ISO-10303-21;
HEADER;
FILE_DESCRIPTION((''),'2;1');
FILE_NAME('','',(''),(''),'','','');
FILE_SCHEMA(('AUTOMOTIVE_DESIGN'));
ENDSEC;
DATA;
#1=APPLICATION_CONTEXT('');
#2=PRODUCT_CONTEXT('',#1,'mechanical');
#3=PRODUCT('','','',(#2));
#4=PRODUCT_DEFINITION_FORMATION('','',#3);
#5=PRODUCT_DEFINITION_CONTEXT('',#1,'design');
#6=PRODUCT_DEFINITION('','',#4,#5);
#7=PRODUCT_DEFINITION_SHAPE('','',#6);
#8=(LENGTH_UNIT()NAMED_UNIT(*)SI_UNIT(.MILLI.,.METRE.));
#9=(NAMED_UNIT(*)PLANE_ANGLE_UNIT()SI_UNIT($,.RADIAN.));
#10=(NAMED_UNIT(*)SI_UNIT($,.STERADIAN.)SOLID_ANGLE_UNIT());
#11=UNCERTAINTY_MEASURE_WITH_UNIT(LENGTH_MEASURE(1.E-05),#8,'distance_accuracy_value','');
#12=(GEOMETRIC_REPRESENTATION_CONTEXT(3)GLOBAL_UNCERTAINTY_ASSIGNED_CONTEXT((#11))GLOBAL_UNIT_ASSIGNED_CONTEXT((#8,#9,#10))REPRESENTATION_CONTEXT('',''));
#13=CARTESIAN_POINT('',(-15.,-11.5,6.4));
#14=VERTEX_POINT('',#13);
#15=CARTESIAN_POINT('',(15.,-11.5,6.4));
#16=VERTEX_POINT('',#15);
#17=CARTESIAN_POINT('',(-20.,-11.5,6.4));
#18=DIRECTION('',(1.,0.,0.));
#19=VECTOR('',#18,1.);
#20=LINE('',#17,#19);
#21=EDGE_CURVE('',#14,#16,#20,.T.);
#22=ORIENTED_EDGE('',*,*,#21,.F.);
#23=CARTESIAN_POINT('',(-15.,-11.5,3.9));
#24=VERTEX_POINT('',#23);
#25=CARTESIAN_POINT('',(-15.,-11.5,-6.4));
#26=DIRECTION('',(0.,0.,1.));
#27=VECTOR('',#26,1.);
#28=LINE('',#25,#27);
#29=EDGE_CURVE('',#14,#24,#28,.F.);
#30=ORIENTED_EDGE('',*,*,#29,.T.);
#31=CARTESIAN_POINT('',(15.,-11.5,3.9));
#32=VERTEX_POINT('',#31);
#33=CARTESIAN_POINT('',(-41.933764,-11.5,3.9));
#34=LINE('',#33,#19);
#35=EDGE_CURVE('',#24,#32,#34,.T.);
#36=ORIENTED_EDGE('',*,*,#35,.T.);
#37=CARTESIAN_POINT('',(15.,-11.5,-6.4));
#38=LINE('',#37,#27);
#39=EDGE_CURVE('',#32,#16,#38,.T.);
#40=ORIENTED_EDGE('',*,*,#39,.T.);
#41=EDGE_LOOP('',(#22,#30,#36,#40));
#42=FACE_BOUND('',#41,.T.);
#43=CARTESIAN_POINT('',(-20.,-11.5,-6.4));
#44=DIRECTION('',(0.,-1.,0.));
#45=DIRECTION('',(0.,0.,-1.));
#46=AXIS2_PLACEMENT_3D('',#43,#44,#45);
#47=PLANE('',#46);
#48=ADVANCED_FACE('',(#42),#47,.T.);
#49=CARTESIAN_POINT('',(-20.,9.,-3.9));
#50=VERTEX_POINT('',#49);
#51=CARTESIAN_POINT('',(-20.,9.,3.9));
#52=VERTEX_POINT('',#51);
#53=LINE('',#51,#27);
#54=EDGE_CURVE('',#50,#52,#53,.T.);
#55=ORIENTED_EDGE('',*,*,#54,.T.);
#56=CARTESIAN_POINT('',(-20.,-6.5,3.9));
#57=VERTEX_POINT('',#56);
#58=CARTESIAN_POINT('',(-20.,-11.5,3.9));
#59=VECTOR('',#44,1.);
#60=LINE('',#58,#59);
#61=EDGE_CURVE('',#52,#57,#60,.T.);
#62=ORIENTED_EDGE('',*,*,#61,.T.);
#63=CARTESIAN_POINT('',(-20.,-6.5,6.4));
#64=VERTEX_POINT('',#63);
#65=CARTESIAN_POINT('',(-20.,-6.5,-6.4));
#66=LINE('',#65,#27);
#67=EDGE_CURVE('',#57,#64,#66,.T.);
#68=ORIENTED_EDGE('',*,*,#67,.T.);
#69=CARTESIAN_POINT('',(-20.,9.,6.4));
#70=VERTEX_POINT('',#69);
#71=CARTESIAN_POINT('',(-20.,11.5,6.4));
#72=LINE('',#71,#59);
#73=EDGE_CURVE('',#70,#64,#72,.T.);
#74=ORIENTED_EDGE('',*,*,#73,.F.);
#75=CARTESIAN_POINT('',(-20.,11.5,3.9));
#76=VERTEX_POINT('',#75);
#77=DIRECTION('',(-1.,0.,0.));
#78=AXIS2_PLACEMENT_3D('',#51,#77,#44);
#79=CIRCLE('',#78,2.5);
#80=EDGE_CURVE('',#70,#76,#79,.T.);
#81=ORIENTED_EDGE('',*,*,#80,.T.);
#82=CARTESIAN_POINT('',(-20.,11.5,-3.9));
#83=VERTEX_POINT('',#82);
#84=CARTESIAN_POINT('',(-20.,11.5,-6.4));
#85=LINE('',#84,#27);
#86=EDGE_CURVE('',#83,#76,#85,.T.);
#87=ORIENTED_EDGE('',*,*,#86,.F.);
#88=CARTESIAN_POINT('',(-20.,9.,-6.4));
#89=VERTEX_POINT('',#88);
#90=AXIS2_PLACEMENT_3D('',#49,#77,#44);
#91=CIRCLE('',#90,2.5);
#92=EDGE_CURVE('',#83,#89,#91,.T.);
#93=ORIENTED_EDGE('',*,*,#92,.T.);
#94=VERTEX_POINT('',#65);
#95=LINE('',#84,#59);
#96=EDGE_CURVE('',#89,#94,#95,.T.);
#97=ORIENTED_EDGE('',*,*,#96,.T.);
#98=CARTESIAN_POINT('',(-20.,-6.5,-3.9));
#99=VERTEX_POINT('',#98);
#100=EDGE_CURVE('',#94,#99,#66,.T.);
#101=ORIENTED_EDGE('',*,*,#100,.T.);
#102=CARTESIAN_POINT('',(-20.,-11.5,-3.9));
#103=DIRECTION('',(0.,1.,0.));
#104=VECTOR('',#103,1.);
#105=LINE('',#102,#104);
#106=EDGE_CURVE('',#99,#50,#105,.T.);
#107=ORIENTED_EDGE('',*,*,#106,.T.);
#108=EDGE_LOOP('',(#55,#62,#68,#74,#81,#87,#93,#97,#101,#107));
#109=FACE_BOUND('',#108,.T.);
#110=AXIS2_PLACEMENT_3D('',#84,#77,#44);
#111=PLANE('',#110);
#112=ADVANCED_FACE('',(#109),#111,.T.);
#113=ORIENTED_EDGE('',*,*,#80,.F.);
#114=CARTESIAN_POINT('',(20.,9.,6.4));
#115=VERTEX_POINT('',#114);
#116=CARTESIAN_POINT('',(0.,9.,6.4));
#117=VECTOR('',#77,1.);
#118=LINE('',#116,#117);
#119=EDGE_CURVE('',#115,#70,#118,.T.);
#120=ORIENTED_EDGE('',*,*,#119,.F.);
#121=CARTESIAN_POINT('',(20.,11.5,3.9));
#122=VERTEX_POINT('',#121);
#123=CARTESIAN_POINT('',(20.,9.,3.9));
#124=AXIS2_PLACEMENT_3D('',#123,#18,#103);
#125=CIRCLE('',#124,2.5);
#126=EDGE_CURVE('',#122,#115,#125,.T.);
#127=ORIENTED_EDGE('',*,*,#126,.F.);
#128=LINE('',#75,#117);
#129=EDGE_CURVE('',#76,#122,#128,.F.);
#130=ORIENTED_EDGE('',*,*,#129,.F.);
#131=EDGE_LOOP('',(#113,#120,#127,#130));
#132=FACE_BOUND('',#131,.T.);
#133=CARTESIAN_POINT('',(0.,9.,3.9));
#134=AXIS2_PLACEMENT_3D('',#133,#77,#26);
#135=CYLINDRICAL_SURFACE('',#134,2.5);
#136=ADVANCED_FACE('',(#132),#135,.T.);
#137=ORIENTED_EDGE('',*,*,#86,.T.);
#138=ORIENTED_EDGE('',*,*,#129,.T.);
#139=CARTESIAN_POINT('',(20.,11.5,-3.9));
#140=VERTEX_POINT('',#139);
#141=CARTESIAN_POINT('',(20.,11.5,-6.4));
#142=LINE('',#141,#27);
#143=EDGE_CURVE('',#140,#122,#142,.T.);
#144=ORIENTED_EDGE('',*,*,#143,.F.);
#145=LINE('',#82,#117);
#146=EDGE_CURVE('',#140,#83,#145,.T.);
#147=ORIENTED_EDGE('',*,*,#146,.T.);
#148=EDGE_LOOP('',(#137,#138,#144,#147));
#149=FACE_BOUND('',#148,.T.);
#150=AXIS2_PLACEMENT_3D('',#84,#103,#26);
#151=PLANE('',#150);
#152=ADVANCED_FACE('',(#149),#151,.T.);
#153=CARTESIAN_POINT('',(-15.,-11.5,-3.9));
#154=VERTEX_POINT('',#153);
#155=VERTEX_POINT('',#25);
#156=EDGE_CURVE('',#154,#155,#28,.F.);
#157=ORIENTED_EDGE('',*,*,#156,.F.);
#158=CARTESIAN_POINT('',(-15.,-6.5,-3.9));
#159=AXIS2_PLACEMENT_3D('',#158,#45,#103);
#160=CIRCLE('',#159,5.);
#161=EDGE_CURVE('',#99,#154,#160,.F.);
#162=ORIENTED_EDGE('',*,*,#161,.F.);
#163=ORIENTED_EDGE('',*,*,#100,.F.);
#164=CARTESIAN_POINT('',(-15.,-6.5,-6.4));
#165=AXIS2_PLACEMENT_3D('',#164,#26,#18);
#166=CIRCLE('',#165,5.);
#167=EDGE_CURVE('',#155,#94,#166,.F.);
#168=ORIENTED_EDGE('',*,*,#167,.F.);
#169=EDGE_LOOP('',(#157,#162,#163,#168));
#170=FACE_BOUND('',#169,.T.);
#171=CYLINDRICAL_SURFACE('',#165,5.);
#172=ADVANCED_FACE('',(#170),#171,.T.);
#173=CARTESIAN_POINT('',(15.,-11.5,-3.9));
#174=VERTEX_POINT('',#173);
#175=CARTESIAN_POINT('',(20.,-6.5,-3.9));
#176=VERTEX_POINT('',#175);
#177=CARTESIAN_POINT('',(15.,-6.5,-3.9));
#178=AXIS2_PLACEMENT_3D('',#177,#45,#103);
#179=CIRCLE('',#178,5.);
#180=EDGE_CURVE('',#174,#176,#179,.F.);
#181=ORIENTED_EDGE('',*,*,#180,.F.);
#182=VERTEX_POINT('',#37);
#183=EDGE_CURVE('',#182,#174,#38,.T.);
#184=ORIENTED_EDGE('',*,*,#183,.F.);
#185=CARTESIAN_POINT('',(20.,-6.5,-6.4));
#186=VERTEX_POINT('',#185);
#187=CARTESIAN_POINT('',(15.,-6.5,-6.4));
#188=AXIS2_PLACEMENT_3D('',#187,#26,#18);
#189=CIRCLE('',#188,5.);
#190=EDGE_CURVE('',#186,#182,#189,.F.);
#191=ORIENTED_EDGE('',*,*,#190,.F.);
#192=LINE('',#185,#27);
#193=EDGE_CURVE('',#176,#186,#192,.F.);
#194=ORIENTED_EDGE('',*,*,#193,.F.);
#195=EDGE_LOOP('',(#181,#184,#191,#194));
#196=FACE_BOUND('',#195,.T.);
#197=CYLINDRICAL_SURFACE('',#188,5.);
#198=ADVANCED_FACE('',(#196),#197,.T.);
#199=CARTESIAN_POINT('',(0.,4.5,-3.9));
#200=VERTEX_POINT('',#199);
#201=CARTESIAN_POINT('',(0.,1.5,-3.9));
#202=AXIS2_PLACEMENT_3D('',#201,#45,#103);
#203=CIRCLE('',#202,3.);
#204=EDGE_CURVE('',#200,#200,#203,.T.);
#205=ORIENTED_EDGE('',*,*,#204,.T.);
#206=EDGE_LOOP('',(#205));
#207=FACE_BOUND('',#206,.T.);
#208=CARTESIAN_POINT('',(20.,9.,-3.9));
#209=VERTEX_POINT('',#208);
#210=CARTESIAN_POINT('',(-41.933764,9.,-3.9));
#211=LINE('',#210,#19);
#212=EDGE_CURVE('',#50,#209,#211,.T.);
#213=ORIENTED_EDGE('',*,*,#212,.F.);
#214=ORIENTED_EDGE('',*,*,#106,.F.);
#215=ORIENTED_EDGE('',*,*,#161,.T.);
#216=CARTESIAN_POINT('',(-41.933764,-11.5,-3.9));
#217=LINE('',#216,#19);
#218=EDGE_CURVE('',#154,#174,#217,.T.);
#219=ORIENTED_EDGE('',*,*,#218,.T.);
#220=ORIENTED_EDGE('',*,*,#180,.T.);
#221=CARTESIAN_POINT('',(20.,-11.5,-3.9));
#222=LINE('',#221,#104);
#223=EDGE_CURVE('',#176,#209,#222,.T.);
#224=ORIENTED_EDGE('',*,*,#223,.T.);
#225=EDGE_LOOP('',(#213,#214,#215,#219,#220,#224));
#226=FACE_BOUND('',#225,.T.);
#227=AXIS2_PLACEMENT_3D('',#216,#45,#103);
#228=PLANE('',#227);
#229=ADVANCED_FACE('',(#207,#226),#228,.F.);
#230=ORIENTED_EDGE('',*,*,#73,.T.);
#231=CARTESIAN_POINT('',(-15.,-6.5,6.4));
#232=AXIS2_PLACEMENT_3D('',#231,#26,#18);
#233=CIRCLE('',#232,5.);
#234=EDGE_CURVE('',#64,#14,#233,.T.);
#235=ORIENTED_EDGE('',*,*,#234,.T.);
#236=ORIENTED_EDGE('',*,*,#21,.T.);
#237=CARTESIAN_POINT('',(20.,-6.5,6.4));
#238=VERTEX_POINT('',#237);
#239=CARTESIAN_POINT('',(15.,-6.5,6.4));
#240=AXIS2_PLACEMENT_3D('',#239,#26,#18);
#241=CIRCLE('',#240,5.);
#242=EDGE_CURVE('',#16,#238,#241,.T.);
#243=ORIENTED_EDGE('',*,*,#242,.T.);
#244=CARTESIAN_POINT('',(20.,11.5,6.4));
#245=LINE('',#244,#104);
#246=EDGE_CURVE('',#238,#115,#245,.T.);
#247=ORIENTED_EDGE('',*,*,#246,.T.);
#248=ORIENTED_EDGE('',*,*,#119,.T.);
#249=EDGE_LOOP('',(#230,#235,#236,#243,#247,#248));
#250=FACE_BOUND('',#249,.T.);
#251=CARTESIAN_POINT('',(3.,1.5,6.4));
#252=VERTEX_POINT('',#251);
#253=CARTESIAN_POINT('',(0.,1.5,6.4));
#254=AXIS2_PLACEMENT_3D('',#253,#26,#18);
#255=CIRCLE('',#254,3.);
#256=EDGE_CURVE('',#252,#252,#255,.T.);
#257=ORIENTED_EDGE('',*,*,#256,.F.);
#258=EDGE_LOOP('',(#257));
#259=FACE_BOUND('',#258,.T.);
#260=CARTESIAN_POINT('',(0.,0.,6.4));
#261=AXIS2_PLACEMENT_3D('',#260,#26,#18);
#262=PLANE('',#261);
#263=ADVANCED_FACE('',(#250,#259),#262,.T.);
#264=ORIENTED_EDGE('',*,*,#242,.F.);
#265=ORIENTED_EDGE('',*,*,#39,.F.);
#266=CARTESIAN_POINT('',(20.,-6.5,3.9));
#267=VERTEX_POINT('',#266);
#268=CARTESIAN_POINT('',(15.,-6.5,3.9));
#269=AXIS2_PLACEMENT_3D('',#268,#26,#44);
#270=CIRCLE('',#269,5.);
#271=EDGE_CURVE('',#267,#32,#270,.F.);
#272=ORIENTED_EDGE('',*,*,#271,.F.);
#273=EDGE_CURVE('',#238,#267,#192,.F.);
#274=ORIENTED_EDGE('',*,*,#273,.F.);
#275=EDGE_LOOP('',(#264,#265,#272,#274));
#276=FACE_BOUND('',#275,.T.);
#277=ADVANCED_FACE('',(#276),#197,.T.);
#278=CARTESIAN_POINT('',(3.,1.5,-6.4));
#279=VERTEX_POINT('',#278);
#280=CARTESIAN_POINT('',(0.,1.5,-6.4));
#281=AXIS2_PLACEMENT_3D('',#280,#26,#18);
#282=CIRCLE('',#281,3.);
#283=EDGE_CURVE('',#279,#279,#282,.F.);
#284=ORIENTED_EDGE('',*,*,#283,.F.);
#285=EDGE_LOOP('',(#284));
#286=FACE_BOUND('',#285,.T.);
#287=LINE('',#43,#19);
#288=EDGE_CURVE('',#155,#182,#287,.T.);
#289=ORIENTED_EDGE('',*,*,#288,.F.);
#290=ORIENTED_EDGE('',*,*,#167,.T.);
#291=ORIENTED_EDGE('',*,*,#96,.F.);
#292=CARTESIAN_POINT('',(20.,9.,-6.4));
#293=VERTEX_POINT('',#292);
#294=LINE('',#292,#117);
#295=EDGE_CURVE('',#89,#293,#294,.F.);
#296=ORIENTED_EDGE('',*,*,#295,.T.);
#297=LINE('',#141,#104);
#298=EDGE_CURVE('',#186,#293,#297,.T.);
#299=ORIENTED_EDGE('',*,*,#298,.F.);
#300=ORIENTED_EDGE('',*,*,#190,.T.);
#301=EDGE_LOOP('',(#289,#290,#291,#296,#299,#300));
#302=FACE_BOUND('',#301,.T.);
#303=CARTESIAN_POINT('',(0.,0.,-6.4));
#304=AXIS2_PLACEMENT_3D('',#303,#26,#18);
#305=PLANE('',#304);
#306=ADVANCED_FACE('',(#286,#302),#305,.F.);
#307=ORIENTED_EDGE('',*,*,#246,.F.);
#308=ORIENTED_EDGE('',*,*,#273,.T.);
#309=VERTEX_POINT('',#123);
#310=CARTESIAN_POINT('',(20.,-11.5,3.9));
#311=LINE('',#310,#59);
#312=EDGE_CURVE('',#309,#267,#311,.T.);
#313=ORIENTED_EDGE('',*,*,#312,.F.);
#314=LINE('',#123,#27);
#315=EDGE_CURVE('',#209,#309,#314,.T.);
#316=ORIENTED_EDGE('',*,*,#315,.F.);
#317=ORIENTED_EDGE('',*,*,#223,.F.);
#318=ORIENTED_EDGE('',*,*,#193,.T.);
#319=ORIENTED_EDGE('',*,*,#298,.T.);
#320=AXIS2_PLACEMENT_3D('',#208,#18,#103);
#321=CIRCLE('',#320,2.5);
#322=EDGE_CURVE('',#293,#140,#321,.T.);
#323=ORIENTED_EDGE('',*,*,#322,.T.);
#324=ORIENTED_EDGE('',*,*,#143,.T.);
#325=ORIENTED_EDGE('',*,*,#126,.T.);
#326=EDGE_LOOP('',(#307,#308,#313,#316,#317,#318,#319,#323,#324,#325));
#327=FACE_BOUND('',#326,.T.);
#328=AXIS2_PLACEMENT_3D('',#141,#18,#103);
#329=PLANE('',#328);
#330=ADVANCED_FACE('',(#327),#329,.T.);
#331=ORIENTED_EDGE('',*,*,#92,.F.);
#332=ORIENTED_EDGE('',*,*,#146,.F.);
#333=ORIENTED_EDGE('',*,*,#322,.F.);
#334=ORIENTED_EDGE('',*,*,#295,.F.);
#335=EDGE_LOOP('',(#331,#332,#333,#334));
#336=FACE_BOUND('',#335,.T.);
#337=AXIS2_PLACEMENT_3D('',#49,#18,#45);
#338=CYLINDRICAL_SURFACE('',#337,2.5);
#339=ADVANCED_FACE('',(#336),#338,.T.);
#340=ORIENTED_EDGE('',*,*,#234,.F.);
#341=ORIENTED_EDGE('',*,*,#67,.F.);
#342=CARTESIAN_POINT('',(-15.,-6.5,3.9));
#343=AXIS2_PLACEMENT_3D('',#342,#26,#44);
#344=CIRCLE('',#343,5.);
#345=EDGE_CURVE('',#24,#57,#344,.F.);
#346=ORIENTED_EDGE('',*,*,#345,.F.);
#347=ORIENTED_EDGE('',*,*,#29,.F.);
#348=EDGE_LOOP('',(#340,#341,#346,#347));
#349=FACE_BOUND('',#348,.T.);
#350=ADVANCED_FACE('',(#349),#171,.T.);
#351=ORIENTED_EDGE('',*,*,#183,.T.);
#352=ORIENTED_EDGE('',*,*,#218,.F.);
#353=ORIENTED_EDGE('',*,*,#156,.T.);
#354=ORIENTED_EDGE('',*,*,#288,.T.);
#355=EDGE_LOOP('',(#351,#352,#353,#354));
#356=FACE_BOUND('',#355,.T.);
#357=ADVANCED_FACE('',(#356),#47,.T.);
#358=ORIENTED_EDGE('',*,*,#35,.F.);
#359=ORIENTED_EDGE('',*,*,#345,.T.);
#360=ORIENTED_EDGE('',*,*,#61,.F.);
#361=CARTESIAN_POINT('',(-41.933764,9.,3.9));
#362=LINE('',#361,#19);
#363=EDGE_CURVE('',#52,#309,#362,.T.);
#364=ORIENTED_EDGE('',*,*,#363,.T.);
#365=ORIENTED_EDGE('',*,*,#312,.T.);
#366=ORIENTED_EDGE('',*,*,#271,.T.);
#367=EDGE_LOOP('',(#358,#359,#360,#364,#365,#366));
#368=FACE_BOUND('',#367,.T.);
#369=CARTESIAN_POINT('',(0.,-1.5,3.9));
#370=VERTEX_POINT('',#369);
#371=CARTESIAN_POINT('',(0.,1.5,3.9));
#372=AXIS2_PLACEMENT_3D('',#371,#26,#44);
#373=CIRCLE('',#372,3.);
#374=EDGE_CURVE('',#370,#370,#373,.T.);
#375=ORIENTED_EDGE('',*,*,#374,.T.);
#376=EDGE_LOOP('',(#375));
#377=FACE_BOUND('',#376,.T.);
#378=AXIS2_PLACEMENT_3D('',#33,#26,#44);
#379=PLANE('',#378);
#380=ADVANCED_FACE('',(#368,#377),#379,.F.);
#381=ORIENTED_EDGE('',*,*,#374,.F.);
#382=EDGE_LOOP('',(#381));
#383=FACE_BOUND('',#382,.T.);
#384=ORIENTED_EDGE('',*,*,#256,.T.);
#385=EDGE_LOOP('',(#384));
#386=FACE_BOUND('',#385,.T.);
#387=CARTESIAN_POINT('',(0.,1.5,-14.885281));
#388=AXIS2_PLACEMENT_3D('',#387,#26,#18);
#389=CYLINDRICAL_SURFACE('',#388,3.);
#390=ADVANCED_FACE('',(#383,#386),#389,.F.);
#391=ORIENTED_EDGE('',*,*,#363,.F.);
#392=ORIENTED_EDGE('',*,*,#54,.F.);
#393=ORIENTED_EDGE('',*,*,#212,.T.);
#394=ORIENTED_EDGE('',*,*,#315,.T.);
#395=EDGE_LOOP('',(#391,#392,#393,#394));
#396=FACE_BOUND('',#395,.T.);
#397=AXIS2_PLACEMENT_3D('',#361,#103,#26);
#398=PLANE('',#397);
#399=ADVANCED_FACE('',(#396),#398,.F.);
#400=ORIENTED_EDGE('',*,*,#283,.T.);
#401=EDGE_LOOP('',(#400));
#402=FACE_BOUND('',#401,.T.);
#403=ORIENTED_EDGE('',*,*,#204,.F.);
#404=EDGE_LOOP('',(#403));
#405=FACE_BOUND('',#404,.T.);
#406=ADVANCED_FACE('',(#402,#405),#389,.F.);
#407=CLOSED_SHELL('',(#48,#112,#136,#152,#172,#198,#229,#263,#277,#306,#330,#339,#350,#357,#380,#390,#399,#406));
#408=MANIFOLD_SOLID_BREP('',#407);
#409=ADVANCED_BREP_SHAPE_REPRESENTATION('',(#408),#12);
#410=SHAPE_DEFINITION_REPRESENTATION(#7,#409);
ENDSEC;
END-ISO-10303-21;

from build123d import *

# Parameters (mm, degrees)
BOSS_EXTRUDE1_DEPTH            = 6.4
BOSS_EXTRUDE1_DEPTH_BACK       = 6.4
SKETCH1_W                      = 40
SKETCH1_H                      = 23
CUT_EXTRUDE1_REACH             = 25.942
SKETCH2_W                      = 7.8
SKETCH2_H                      = 20.5
CUT_EXTRUDE1_DIRECTION_2_REACH = 25.942
FILLET1_R                      = 5
FILLET2_R                      = 2.5
CUT_EXTRUDE2_REACH             = 25.942
SKETCH3_R                      = 3
CUT_EXTRUDE2_DIRECTION_2_REACH = 25.942


with BuildPart() as part:
    # Sketch1 → Boss-Extrude1 (new, two sides: drawn at the far end of the back side and taken through both)
    with BuildSketch(Plane.XY.offset(-BOSS_EXTRUDE1_DEPTH_BACK)):
        Rectangle(SKETCH1_W, SKETCH1_H)
    extrude(amount=BOSS_EXTRUDE1_DEPTH + BOSS_EXTRUDE1_DEPTH_BACK)

    # Cut-Extrude1: up to this face of the body (flat: up to its plane)
    cut_extrude1_end = Plane(part.part.faces().sort_by_distance((-20, 0, 0))[0])
    # Sketch2 → Cut-Extrude1 (cut, up to the picked face)
    with BuildSketch(Plane(origin=(0, 0, 0), x_dir=(0, 0, -1), z_dir=(1, 0, 0)), mode=Mode.PRIVATE) as cut_extrude1_sk1:
        with Locations((0, -1.25)):
            Rectangle(SKETCH2_W, SKETCH2_H)
    cut_extrude1_tool1 = split(extrude(cut_extrude1_sk1.sketch, amount=-CUT_EXTRUDE1_REACH, mode=Mode.PRIVATE), bisect_by=cut_extrude1_end, keep=Keep.BOTH, mode=Mode.PRIVATE)
    add(cut_extrude1_tool1.solids().sort_by(Axis((0, -1.25, 0), (-1, 0, 0)))[0], mode=Mode.SUBTRACT)

    # Cut-Extrude1 direction 2: up to this face of the body (flat: up to its plane)
    cut_extrude1_direction_2_end = Plane(part.part.faces().sort_by_distance((20, 0, 0))[0])
    # Sketch2 → Cut-Extrude1 direction 2 (cut, up to the picked face)
    with BuildSketch(Plane(origin=(0, 0, 0), x_dir=(0, 0, -1), z_dir=(1, 0, 0)), mode=Mode.PRIVATE) as cut_extrude1_direction_2_sk1:
        with Locations((0, -1.25)):
            Rectangle(SKETCH2_W, SKETCH2_H)
    cut_extrude1_direction_2_tool1 = split(extrude(cut_extrude1_direction_2_sk1.sketch, amount=CUT_EXTRUDE1_DIRECTION_2_REACH, mode=Mode.PRIVATE), bisect_by=cut_extrude1_direction_2_end, keep=Keep.BOTH, mode=Mode.PRIVATE)
    add(cut_extrude1_direction_2_tool1.solids().sort_by(Axis((0, -1.25, 0), (1, 0, 0)))[0], mode=Mode.SUBTRACT)

    # Fillet1
    fillet1_edges = [part.edges().sort_by_distance(p)[0] for p in [
        (-20, -11.5, 5.15),
        (20, -11.5, 5.15),
        (20, -11.5, -5.15),
        (-20, -11.5, -5.15),
    ]]
    fillet(fillet1_edges, radius=FILLET1_R)

    # Fillet2
    fillet2_edges = [part.edges().sort_by_distance(p)[0] for p in [
        (0, 11.5, 6.4),
        (0, 11.5, -6.4),
    ]]
    fillet(fillet2_edges, radius=FILLET2_R)

    # Cut-Extrude2: up to this face of the body (flat: up to its plane)
    cut_extrude2_end = Plane(part.part.faces().sort_by_distance((0, -1.128903629, -6.4))[0])
    # Sketch3 → Cut-Extrude2 (cut, up to the picked face)
    with BuildSketch(Plane.XY, mode=Mode.PRIVATE) as cut_extrude2_sk1:
        with Locations((0, 1.5)):
            Circle(SKETCH3_R)
    cut_extrude2_tool1 = split(extrude(cut_extrude2_sk1.sketch, amount=-CUT_EXTRUDE2_REACH, mode=Mode.PRIVATE), bisect_by=cut_extrude2_end, keep=Keep.BOTH, mode=Mode.PRIVATE)
    add(cut_extrude2_tool1.solids().sort_by(Axis((0, 1.5, 0), (0, 0, -1)))[0], mode=Mode.SUBTRACT)

    # Cut-Extrude2 direction 2: up to this face of the body (flat: up to its plane)
    cut_extrude2_direction_2_end = Plane(part.part.faces().sort_by_distance((0, -1.128903629, 6.4))[0])
    # Sketch3 → Cut-Extrude2 direction 2 (cut, up to the picked face)
    with BuildSketch(Plane.XY, mode=Mode.PRIVATE) as cut_extrude2_direction_2_sk1:
        with Locations((0, 1.5)):
            Circle(SKETCH3_R)
    cut_extrude2_direction_2_tool1 = split(extrude(cut_extrude2_direction_2_sk1.sketch, amount=CUT_EXTRUDE2_DIRECTION_2_REACH, mode=Mode.PRIVATE), bisect_by=cut_extrude2_direction_2_end, keep=Keep.BOTH, mode=Mode.PRIVATE)
    add(cut_extrude2_direction_2_tool1.solids().sort_by(Axis((0, 1.5, 0), (0, 0, 1)))[0], mode=Mode.SUBTRACT)


solid = part.part
